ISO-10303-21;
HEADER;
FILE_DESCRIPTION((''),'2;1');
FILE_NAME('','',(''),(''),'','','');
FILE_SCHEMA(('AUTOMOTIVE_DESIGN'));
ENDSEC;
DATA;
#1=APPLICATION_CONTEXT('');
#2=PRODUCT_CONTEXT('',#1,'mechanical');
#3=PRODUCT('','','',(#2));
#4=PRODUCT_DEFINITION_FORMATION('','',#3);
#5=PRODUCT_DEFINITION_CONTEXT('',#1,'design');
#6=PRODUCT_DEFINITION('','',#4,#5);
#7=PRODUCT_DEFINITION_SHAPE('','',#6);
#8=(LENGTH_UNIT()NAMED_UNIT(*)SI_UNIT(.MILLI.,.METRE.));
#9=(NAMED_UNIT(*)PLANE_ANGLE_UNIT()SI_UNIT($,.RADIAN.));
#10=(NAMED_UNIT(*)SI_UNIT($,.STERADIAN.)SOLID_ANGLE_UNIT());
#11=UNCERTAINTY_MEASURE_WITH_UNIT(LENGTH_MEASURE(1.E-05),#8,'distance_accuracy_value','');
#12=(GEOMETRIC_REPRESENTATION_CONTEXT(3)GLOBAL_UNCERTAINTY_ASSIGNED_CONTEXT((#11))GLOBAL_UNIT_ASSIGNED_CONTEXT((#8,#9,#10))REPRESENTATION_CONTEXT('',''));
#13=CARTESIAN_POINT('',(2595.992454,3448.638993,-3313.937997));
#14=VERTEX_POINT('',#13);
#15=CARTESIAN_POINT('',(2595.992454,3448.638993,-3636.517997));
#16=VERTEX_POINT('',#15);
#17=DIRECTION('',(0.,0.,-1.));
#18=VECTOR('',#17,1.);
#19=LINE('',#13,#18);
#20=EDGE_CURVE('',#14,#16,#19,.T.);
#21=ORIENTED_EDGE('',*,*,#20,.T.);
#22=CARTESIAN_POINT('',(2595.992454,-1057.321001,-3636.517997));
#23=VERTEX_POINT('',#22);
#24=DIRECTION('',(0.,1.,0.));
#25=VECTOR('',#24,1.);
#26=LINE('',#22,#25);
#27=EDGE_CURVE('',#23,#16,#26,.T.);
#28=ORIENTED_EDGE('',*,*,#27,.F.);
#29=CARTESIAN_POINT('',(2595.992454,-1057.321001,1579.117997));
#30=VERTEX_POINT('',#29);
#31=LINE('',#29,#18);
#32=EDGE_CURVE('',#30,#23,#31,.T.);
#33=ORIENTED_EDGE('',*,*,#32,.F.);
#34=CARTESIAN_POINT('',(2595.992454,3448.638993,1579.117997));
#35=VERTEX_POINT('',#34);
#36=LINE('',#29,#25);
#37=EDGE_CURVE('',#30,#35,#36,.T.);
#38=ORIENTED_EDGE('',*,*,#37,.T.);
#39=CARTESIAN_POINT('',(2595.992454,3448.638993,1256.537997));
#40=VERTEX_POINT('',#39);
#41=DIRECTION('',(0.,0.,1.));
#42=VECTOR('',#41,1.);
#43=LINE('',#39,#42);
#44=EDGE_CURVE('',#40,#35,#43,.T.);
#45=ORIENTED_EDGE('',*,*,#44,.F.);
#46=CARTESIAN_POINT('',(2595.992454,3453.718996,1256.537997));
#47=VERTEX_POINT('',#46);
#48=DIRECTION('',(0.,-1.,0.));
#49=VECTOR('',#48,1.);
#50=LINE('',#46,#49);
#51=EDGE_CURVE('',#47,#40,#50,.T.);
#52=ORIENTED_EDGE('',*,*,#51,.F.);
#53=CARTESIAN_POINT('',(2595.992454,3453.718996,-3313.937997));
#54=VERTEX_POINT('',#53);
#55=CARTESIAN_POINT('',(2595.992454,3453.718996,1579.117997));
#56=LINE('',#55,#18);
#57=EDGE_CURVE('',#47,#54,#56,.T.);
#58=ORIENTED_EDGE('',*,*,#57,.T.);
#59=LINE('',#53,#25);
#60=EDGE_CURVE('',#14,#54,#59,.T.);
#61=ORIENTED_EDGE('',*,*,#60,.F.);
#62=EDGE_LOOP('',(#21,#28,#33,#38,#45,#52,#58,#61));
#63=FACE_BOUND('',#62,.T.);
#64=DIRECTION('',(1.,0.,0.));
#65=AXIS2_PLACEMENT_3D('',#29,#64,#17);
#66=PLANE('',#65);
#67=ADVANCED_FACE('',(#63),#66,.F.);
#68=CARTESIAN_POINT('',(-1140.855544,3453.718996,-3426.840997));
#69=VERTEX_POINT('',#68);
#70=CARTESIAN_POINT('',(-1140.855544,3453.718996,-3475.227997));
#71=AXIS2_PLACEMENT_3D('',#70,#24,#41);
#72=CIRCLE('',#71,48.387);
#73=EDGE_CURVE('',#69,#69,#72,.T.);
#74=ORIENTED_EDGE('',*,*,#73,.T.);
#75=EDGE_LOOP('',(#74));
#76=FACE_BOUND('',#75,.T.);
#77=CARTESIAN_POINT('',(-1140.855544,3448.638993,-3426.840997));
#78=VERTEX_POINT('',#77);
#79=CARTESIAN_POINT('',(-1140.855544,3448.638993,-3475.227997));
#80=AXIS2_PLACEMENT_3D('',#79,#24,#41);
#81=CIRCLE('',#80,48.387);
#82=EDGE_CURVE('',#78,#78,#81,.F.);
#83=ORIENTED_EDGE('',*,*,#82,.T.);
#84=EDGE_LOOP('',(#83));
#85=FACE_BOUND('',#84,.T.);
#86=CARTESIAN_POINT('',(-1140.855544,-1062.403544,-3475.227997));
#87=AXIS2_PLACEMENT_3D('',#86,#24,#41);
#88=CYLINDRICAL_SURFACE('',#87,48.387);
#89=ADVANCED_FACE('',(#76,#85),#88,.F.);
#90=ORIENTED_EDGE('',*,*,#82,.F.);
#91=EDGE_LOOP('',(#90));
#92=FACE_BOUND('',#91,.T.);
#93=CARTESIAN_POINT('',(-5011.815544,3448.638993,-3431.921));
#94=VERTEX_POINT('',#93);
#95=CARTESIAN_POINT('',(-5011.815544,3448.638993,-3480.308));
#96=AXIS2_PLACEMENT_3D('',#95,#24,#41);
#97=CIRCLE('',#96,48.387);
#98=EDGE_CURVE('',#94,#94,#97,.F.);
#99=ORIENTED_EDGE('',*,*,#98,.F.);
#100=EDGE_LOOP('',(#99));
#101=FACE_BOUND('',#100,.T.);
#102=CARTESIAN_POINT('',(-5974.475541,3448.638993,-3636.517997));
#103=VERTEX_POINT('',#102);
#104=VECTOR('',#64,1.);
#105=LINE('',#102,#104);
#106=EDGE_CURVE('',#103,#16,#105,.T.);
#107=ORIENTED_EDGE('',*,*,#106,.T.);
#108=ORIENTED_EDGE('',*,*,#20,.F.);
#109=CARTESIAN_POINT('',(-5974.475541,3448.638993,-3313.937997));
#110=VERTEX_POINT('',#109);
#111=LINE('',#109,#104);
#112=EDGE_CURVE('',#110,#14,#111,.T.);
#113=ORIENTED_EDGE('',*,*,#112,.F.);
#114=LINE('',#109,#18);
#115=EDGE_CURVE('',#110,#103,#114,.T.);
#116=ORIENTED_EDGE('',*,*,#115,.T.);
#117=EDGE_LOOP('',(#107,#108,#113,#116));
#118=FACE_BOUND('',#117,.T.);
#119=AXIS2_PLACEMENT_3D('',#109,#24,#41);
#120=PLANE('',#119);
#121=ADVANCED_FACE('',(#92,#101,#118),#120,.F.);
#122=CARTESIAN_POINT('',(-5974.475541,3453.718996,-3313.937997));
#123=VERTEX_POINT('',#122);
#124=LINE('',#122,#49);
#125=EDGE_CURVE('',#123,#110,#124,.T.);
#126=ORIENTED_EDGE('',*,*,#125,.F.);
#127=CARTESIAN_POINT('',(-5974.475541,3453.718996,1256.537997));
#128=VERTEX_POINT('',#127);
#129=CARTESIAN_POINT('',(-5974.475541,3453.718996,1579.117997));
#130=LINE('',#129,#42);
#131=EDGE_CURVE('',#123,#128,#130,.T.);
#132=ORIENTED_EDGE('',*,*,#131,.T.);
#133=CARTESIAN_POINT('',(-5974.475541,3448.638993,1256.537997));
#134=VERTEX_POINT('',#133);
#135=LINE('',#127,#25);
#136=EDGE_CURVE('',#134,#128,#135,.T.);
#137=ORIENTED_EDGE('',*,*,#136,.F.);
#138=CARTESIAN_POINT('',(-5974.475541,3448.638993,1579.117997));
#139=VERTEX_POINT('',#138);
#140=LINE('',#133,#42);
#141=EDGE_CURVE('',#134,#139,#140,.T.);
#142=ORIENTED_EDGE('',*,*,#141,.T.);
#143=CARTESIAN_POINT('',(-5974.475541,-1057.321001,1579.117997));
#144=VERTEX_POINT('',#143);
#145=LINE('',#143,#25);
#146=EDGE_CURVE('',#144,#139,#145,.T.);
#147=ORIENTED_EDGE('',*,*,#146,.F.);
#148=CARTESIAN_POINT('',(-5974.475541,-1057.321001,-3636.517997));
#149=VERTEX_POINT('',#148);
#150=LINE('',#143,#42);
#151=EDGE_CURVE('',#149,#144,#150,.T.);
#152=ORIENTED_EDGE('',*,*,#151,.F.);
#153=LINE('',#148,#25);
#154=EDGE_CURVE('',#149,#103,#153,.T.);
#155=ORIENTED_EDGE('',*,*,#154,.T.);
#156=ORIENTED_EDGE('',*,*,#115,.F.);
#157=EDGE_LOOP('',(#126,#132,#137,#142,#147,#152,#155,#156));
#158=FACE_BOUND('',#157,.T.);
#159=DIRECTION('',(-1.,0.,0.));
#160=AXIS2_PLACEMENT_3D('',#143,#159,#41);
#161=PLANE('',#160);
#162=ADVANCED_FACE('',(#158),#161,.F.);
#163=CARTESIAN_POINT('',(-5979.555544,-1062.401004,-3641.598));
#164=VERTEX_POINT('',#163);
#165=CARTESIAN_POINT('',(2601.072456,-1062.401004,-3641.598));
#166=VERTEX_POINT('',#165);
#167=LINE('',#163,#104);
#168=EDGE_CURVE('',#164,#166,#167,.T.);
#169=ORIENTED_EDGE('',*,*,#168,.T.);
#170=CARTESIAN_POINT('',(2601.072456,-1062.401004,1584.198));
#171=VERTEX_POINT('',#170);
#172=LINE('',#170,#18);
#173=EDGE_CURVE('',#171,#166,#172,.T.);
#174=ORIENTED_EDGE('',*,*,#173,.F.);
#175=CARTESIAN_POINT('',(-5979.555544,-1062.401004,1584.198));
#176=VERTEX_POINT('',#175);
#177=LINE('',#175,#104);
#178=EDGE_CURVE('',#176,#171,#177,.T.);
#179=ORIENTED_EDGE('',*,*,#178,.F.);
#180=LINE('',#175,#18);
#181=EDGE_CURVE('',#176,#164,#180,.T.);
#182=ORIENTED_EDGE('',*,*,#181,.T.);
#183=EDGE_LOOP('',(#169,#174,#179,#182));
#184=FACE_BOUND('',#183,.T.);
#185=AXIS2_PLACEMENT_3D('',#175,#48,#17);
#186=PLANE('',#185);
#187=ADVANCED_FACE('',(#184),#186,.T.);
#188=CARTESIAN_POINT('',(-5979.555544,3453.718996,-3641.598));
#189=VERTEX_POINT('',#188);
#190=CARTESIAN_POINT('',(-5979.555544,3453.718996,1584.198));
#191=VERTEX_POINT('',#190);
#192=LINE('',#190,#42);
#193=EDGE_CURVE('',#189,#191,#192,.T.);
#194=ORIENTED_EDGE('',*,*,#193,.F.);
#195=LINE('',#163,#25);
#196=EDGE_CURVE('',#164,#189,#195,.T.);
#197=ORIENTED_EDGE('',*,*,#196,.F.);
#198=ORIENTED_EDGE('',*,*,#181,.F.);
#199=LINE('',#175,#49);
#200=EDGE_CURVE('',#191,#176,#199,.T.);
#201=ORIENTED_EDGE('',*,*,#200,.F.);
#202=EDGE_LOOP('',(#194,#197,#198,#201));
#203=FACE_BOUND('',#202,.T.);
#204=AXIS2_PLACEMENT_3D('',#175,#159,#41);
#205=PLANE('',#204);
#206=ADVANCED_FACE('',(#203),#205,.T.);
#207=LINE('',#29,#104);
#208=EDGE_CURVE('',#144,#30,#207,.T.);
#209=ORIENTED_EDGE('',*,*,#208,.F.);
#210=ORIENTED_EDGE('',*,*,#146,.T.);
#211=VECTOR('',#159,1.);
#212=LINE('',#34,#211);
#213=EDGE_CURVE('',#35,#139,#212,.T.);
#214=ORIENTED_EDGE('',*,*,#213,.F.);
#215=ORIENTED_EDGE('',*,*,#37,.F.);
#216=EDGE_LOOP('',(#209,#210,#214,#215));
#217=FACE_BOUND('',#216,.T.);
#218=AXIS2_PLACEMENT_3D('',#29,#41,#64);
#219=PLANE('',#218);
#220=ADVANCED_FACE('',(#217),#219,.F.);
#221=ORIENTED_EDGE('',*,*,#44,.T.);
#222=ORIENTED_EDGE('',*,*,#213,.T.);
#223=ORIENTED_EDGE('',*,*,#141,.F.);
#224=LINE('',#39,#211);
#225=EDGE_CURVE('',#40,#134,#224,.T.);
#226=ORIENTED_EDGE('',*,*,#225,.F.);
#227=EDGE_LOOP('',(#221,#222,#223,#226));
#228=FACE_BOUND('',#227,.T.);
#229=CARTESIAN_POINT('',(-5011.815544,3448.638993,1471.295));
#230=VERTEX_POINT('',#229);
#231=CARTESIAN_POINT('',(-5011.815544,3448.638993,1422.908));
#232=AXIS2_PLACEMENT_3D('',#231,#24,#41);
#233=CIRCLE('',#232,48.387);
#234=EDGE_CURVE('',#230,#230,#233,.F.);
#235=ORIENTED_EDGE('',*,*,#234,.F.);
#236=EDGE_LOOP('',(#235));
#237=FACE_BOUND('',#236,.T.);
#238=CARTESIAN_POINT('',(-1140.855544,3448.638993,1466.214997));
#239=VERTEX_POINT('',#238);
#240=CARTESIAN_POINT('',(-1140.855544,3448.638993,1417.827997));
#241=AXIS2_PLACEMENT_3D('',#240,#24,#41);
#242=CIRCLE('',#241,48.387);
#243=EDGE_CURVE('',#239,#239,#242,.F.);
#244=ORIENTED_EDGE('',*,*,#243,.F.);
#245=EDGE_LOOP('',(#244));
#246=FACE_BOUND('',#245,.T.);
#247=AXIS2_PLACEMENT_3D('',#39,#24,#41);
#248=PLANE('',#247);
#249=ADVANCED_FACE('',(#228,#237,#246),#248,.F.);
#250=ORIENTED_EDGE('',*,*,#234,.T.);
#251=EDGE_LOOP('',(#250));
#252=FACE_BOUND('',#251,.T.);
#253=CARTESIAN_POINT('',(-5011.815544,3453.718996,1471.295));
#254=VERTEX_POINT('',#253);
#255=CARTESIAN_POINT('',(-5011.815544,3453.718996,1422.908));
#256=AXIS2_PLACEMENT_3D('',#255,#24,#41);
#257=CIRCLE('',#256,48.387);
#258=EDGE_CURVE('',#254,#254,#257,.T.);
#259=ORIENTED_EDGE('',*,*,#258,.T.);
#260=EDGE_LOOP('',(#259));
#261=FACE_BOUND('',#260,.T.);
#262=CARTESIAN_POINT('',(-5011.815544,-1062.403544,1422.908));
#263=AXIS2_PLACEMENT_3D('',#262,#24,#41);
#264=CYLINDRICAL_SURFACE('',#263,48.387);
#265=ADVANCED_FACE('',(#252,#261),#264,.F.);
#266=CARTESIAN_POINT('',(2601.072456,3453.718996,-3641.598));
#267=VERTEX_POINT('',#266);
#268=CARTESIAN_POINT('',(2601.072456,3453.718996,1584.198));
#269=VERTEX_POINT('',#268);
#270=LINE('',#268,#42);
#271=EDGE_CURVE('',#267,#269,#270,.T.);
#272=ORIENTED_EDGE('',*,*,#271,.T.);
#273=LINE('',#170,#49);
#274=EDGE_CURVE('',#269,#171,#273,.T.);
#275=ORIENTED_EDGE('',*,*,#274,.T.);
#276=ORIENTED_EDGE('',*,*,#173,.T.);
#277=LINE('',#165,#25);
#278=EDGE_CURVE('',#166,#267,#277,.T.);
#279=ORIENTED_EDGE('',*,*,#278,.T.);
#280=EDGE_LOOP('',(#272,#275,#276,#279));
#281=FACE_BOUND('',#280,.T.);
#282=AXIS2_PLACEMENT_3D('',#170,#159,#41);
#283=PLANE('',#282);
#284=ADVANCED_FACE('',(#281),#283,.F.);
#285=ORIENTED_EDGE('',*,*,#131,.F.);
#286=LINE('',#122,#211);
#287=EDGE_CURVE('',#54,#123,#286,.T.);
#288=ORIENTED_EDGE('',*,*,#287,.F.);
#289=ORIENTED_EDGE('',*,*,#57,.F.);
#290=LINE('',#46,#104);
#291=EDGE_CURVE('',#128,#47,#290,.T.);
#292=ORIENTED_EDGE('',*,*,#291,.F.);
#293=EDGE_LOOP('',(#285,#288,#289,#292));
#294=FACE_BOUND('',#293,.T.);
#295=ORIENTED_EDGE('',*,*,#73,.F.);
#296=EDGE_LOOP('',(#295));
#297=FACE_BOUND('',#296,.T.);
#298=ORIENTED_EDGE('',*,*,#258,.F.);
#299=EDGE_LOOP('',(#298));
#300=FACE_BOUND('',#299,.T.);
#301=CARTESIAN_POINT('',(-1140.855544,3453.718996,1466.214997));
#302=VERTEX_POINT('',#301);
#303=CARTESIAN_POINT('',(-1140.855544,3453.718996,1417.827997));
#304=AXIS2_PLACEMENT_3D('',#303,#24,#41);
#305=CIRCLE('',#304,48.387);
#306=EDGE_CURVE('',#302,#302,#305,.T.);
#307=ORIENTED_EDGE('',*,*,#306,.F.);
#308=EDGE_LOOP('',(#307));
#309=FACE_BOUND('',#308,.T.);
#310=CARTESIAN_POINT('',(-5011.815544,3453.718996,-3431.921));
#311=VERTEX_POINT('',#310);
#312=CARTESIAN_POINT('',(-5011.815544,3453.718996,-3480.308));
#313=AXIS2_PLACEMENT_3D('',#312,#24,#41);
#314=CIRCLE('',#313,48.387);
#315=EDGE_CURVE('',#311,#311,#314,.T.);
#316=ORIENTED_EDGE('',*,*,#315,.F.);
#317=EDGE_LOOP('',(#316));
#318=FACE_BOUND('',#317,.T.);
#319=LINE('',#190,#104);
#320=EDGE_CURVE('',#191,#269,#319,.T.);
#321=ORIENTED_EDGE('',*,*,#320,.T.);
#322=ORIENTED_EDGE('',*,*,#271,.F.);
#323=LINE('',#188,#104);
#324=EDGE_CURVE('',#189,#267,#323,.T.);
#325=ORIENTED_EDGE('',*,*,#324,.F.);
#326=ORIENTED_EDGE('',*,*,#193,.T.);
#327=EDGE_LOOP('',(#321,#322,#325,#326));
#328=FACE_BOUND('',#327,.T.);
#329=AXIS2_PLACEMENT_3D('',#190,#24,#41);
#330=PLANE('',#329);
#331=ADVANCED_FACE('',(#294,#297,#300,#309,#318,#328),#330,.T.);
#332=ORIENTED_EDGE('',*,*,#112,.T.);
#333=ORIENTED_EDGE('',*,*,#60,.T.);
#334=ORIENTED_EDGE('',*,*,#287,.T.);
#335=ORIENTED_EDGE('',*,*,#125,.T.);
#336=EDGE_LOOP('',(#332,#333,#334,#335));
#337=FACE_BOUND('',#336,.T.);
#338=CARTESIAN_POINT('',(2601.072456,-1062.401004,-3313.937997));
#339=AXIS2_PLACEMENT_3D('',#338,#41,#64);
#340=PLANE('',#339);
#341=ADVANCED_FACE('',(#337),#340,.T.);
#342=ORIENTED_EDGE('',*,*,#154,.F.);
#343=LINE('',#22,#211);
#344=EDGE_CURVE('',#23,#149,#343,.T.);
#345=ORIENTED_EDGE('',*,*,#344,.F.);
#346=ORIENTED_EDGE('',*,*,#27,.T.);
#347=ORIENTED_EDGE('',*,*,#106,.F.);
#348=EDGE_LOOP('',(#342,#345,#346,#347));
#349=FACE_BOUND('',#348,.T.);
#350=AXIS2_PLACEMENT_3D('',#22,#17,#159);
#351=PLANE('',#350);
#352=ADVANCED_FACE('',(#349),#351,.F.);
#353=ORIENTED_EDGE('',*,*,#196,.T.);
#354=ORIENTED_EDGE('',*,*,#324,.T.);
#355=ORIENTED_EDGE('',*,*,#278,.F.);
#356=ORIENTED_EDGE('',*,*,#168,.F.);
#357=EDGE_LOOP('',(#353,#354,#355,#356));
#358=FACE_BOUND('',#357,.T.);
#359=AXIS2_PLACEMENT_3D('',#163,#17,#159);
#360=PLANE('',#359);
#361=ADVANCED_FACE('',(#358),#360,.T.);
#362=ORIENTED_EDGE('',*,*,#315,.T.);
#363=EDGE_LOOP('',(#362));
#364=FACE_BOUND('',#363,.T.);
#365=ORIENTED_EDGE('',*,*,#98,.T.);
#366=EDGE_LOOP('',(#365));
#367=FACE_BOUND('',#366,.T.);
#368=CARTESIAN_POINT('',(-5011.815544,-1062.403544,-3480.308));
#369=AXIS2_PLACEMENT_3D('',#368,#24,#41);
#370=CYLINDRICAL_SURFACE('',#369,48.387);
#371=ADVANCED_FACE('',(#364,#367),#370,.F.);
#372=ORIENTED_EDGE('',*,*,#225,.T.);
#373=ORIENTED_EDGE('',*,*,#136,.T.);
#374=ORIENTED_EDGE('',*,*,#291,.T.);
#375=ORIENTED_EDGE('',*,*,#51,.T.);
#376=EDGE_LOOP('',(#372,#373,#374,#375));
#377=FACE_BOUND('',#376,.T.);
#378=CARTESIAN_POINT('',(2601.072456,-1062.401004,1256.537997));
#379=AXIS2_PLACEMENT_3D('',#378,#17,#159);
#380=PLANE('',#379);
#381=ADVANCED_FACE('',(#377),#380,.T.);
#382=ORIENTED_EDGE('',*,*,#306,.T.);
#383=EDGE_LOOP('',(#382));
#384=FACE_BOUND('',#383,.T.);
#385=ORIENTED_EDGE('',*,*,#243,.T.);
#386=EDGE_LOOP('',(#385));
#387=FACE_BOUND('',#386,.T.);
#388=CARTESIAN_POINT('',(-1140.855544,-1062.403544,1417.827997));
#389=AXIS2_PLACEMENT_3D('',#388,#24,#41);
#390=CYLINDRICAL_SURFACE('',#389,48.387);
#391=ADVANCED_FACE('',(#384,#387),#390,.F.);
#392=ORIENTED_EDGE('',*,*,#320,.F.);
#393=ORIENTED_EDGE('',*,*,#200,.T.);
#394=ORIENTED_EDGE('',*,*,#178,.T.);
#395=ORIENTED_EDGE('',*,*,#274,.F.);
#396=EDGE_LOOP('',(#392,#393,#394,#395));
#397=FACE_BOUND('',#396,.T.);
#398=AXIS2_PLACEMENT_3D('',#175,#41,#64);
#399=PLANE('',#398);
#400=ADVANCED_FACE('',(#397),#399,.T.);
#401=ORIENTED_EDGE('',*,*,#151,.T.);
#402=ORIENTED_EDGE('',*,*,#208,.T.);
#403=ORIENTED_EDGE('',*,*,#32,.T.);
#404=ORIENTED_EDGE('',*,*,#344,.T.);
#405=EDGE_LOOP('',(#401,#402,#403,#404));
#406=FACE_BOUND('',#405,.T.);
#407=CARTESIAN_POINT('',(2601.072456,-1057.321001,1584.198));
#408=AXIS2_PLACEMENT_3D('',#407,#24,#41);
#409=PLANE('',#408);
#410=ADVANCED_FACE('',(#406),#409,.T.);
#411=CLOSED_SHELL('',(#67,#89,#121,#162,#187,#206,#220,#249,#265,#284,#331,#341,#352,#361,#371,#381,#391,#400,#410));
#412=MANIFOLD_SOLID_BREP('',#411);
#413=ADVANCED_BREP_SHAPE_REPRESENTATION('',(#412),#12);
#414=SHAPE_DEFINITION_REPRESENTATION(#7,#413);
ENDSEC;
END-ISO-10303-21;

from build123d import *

# Parameters (mm, degrees)
SKETCH1_W           = 2057.4
SKETCH1_H           = 1778
BOSS_EXTRUDE1_DEPTH = 3378.2
SKETCH2_W           = 3374.19999784
SKETCH2_H           = 2053.39999784
CUT_EXTRUDE1_DEPTH  = 1775.99999892
SKETCH3_W           = 3374.19999784
SKETCH3_H           = 2.00000108
BOSS_EXTRUDE2_DEPTH = 127
SKETCH4_W           = 3374.19999784
SKETCH4_H           = 2.00000108
BOSS_EXTRUDE3_DEPTH = 127
CUT_EXTRUDE2_REACH  = 4338.636
SKETCH5_R           = 19.05
SCALE1_SCALE        = 2.54


with BuildPart() as part:
    # Sketch1 → Boss-Extrude1 (new body)
    with BuildSketch(Plane(origin=(0, 0, 0), x_dir=(0, 0, -1), z_dir=(1, 0, 0))):
        with Locations((1028.7, 889)):
            Rectangle(SKETCH1_W, SKETCH1_H)
    extrude(amount=-BOSS_EXTRUDE1_DEPTH)

    # Sketch2 → Cut-Extrude1 (cut)
    with BuildSketch(Plane(origin=(0, 1778, 0), x_dir=(1, 0, 0), z_dir=(0, 1, 0))):
        with Locations((-1689.1, 1028.7)):
            Rectangle(SKETCH2_W, SKETCH2_H)
    extrude(amount=-CUT_EXTRUDE1_DEPTH, mode=Mode.SUBTRACT)

    # Sketch3 → Boss-Extrude2 (add)
    with BuildSketch(Plane.XY.offset(-2055.39999892)):
        with Locations((-1689.1, 1776.99999946)):
            Rectangle(SKETCH3_W, SKETCH3_H)
    extrude(amount=BOSS_EXTRUDE2_DEPTH)

    # Sketch4 → Boss-Extrude3 (add)
    with BuildSketch(Plane(origin=(0, 0, -2.00000108), x_dir=(-1, 0, 0), z_dir=(0, 0, -1))):
        with Locations((1689.1, 1776.99999946)):
            Rectangle(SKETCH4_W, SKETCH4_H)
    extrude(amount=BOSS_EXTRUDE3_DEPTH)

    # Sketch5 → Cut-Extrude2 (cut, up to next)
    with BuildSketch(Plane(origin=(0, 1778, 0), x_dir=(1, 0, 0), z_dir=(0, 1, 0)), mode=Mode.PRIVATE) as cut_extrude2_sk1:
        with Locations(Location((-1473.2, 65.50000108, 0), (0, 0, 270))):
            Circle(SKETCH5_R)
    cut_extrude2_tool1 = extrude(cut_extrude2_sk1.sketch, amount=-CUT_EXTRUDE2_REACH, mode=Mode.PRIVATE) & part.part
    # Sketch5 → Cut-Extrude2 (cut, up to next)
    with BuildSketch(Plane(origin=(0, 1778, 0), x_dir=(1, 0, 0), z_dir=(0, 1, 0)), mode=Mode.PRIVATE) as cut_extrude2_sk2:
        with Locations(Location((-1473.2, 1991.89999892, 0), (0, 0, 270))):
            Circle(SKETCH5_R)
    cut_extrude2_tool2 = extrude(cut_extrude2_sk2.sketch, amount=-CUT_EXTRUDE2_REACH, mode=Mode.PRIVATE) & part.part
    # Sketch5 → Cut-Extrude2 (cut, up to next)
    with BuildSketch(Plane(origin=(0, 1778, 0), x_dir=(1, 0, 0), z_dir=(0, 1, 0)), mode=Mode.PRIVATE) as cut_extrude2_sk3:
        with Locations(Location((-2997.2, 1993.9, 0), (0, 0, 270))):
            Circle(SKETCH5_R)
    cut_extrude2_tool3 = extrude(cut_extrude2_sk3.sketch, amount=-CUT_EXTRUDE2_REACH, mode=Mode.PRIVATE) & part.part
    # Sketch5 → Cut-Extrude2 (cut, up to next)
    with BuildSketch(Plane(origin=(0, 1778, 0), x_dir=(1, 0, 0), z_dir=(0, 1, 0)), mode=Mode.PRIVATE) as cut_extrude2_sk4:
        with Locations(Location((-2997.2, 63.5, 0), (0, 0, 270))):
            Circle(SKETCH5_R)
    cut_extrude2_tool4 = extrude(cut_extrude2_sk4.sketch, amount=-CUT_EXTRUDE2_REACH, mode=Mode.PRIVATE) & part.part
    add(cut_extrude2_tool1.solids().sort_by_distance((-1473.2, 1778, -65.500001))[0], mode=Mode.SUBTRACT)
    add(cut_extrude2_tool2.solids().sort_by_distance((-1473.2, 1778, -1991.899999))[0], mode=Mode.SUBTRACT)
    add(cut_extrude2_tool3.solids().sort_by_distance((-2997.2, 1778, -1993.9))[0], mode=Mode.SUBTRACT)
    add(cut_extrude2_tool4.solids().sort_by_distance((-2997.2, 1778, -63.5))[0], mode=Mode.SUBTRACT)


with BuildPart() as part_1:
    # Scale1: scaled about (-1689.008088594, 689.870781671, -1028.7)
    add(part.part.scale(SCALE1_SCALE).moved(Location((2601.072456435, -1062.401003773, 1584.198))))


solid = part_1.part
